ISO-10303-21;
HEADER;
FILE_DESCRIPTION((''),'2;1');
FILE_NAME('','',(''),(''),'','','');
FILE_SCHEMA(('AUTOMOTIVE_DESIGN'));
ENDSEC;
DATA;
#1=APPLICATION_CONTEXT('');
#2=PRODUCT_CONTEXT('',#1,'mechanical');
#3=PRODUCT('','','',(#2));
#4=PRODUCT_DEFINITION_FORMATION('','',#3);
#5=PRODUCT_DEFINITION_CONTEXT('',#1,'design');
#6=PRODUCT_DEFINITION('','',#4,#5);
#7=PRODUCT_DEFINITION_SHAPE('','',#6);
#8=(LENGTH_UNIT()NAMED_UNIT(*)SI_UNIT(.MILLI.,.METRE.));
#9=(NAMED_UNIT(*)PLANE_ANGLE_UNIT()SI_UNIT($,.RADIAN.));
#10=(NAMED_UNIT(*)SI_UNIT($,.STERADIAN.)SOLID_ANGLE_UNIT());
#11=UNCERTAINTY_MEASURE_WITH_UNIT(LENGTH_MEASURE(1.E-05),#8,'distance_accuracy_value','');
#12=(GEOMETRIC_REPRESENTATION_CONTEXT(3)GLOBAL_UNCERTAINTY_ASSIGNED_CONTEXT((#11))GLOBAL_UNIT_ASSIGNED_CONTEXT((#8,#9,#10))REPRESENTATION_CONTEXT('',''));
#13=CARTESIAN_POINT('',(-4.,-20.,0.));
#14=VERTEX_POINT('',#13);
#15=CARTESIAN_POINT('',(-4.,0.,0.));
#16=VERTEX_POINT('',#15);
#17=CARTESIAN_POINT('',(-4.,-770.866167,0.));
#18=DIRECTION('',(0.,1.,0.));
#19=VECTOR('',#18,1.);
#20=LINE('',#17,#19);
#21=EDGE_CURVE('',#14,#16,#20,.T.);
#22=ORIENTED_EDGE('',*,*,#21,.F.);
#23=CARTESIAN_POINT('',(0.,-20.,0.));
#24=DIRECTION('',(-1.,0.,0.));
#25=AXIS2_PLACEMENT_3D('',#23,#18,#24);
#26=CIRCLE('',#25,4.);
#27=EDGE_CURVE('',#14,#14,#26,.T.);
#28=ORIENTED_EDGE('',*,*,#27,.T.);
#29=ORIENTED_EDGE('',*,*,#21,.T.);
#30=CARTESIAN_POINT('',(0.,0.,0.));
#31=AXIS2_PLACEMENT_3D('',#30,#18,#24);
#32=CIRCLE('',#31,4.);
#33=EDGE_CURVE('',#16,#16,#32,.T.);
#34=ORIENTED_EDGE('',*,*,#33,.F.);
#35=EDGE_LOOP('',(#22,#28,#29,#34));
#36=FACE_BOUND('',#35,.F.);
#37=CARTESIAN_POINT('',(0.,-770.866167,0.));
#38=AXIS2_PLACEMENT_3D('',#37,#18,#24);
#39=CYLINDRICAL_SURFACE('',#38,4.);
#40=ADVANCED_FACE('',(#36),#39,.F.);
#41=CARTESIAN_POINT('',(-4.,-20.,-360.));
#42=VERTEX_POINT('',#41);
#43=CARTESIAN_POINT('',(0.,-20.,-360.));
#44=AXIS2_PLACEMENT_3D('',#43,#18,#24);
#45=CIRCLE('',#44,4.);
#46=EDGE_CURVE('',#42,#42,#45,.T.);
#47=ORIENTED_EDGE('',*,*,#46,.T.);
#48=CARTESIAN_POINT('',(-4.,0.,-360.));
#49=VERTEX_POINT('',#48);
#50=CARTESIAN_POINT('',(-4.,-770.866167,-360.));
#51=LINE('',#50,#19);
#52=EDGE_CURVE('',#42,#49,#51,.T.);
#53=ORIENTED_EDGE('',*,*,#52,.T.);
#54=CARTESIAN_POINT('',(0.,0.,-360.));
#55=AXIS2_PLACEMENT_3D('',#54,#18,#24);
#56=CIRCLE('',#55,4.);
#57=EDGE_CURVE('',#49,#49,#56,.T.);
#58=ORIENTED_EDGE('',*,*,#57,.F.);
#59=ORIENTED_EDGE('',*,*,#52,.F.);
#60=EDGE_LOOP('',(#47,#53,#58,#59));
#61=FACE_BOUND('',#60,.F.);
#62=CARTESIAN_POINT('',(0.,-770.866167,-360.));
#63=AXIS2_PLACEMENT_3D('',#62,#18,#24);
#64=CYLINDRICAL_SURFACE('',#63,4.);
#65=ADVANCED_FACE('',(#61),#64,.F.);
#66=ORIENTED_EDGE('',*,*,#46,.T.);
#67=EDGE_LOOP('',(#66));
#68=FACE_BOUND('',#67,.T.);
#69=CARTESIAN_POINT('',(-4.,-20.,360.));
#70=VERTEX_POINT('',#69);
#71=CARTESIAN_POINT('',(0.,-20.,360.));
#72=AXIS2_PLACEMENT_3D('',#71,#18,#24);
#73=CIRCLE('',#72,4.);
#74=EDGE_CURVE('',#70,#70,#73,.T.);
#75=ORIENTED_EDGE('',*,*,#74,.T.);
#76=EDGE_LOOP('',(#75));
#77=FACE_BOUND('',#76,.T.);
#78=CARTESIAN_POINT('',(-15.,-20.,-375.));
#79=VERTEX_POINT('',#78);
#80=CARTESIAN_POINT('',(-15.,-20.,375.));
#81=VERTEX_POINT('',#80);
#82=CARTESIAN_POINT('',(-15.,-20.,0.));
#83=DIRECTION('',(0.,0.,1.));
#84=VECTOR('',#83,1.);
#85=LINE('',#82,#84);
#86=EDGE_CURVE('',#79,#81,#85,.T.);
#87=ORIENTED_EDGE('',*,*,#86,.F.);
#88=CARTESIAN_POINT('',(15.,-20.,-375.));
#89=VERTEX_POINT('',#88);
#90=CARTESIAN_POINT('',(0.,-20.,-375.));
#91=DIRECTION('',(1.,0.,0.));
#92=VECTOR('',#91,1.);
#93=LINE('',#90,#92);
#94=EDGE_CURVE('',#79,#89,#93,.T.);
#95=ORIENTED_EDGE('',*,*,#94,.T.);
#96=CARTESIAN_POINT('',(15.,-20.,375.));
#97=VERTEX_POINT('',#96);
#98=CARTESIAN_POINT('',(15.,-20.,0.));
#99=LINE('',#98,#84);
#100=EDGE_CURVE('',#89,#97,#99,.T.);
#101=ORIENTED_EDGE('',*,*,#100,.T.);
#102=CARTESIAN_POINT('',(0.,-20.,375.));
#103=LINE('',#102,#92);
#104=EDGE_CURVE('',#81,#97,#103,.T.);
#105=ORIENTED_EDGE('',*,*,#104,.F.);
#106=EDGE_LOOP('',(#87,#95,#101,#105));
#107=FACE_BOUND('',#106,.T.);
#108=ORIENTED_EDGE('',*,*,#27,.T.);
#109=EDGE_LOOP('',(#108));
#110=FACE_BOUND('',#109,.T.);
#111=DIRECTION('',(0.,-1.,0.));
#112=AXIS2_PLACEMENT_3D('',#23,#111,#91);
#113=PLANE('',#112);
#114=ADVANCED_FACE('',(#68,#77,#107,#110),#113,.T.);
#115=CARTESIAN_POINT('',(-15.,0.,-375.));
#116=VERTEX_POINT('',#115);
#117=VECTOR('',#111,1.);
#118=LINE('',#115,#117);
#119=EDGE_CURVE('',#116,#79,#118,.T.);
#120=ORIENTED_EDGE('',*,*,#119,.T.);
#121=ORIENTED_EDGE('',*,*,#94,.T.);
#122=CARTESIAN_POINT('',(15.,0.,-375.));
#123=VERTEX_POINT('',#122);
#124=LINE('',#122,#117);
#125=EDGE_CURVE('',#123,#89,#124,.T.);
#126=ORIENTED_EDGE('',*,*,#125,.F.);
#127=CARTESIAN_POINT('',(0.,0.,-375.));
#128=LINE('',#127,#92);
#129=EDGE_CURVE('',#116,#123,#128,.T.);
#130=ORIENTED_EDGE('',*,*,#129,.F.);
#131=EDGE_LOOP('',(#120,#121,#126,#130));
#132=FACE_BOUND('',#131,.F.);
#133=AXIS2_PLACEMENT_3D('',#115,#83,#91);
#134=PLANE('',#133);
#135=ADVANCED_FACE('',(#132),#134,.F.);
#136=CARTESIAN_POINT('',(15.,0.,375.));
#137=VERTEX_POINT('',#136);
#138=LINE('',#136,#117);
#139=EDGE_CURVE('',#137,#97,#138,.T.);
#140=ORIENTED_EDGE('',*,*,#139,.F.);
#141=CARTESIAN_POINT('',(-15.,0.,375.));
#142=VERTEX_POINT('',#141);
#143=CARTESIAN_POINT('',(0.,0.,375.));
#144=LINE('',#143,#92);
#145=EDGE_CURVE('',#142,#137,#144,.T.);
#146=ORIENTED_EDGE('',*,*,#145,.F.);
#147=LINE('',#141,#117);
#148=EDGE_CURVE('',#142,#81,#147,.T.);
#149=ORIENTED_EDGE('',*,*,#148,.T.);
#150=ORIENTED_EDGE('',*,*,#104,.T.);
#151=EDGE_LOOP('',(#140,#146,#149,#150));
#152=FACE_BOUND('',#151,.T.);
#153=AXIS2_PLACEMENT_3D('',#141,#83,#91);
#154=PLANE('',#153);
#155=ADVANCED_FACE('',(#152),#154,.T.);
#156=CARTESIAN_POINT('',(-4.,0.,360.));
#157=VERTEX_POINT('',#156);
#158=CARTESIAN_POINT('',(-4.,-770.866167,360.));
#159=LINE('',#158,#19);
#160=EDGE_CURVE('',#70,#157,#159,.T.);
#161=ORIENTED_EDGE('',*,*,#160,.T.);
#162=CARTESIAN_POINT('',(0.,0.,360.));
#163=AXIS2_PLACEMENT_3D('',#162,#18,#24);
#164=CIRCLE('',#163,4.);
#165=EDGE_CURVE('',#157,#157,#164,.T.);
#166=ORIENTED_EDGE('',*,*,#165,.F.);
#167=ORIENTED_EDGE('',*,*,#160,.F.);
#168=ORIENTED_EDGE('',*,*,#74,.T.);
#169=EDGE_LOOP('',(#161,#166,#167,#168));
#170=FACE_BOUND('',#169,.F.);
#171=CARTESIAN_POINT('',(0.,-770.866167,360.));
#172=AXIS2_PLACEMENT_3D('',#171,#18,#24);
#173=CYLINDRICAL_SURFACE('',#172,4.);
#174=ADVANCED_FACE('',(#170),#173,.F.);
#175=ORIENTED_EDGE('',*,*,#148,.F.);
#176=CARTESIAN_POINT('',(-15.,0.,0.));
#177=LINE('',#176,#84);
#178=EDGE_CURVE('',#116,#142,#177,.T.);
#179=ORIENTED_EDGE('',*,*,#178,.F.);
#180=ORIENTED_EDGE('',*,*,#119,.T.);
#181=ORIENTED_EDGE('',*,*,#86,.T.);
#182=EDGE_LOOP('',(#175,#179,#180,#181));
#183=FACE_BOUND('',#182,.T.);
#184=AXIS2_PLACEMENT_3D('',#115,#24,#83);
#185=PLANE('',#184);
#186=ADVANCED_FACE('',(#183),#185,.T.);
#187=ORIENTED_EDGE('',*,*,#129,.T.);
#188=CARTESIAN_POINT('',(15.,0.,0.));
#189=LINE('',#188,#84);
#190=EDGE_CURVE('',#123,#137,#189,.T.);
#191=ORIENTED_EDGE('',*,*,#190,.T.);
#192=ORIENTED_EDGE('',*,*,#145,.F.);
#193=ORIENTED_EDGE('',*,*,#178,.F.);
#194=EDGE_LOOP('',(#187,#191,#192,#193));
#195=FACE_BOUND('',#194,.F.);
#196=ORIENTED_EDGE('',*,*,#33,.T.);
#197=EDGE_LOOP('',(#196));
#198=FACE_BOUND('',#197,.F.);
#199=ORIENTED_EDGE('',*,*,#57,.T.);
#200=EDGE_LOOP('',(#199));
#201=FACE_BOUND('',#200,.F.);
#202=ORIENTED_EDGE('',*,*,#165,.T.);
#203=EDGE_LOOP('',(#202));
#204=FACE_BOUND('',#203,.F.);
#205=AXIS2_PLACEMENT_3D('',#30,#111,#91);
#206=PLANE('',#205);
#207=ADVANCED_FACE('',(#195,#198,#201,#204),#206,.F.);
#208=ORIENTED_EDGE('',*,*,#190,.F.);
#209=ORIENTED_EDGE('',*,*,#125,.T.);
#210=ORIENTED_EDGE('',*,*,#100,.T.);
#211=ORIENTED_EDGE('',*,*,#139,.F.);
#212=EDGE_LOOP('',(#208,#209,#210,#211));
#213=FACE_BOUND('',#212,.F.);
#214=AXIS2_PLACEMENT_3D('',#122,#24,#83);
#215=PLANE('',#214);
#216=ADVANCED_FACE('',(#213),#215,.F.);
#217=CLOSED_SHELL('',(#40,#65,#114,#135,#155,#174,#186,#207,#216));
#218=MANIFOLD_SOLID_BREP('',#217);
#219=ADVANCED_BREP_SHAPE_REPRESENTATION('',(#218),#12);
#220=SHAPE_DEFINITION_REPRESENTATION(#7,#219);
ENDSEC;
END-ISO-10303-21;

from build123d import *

# Parameters (mm, degrees)
F0_W     = 30
F0_H     = 750
F1_DEPTH = 20
F3_D     = 8
F5_D     = 8


with BuildPart() as f1:
    # F0 (on Front) → F1 (new body)
    with BuildSketch(Plane.XZ):
        Rectangle(F0_W, F0_H)
    extrude(amount=F1_DEPTH)

    # F3 (through all)
    with Locations(Plane.XZ.offset(20)):
        with Locations((0, 360), (0, -360)):
            Hole(F3_D / 2)

    # F5 (through all)
    with Locations(Plane.XZ.offset(20)):
        with Locations((0, 0)):
            Hole(F5_D / 2)


solid = f1.part
